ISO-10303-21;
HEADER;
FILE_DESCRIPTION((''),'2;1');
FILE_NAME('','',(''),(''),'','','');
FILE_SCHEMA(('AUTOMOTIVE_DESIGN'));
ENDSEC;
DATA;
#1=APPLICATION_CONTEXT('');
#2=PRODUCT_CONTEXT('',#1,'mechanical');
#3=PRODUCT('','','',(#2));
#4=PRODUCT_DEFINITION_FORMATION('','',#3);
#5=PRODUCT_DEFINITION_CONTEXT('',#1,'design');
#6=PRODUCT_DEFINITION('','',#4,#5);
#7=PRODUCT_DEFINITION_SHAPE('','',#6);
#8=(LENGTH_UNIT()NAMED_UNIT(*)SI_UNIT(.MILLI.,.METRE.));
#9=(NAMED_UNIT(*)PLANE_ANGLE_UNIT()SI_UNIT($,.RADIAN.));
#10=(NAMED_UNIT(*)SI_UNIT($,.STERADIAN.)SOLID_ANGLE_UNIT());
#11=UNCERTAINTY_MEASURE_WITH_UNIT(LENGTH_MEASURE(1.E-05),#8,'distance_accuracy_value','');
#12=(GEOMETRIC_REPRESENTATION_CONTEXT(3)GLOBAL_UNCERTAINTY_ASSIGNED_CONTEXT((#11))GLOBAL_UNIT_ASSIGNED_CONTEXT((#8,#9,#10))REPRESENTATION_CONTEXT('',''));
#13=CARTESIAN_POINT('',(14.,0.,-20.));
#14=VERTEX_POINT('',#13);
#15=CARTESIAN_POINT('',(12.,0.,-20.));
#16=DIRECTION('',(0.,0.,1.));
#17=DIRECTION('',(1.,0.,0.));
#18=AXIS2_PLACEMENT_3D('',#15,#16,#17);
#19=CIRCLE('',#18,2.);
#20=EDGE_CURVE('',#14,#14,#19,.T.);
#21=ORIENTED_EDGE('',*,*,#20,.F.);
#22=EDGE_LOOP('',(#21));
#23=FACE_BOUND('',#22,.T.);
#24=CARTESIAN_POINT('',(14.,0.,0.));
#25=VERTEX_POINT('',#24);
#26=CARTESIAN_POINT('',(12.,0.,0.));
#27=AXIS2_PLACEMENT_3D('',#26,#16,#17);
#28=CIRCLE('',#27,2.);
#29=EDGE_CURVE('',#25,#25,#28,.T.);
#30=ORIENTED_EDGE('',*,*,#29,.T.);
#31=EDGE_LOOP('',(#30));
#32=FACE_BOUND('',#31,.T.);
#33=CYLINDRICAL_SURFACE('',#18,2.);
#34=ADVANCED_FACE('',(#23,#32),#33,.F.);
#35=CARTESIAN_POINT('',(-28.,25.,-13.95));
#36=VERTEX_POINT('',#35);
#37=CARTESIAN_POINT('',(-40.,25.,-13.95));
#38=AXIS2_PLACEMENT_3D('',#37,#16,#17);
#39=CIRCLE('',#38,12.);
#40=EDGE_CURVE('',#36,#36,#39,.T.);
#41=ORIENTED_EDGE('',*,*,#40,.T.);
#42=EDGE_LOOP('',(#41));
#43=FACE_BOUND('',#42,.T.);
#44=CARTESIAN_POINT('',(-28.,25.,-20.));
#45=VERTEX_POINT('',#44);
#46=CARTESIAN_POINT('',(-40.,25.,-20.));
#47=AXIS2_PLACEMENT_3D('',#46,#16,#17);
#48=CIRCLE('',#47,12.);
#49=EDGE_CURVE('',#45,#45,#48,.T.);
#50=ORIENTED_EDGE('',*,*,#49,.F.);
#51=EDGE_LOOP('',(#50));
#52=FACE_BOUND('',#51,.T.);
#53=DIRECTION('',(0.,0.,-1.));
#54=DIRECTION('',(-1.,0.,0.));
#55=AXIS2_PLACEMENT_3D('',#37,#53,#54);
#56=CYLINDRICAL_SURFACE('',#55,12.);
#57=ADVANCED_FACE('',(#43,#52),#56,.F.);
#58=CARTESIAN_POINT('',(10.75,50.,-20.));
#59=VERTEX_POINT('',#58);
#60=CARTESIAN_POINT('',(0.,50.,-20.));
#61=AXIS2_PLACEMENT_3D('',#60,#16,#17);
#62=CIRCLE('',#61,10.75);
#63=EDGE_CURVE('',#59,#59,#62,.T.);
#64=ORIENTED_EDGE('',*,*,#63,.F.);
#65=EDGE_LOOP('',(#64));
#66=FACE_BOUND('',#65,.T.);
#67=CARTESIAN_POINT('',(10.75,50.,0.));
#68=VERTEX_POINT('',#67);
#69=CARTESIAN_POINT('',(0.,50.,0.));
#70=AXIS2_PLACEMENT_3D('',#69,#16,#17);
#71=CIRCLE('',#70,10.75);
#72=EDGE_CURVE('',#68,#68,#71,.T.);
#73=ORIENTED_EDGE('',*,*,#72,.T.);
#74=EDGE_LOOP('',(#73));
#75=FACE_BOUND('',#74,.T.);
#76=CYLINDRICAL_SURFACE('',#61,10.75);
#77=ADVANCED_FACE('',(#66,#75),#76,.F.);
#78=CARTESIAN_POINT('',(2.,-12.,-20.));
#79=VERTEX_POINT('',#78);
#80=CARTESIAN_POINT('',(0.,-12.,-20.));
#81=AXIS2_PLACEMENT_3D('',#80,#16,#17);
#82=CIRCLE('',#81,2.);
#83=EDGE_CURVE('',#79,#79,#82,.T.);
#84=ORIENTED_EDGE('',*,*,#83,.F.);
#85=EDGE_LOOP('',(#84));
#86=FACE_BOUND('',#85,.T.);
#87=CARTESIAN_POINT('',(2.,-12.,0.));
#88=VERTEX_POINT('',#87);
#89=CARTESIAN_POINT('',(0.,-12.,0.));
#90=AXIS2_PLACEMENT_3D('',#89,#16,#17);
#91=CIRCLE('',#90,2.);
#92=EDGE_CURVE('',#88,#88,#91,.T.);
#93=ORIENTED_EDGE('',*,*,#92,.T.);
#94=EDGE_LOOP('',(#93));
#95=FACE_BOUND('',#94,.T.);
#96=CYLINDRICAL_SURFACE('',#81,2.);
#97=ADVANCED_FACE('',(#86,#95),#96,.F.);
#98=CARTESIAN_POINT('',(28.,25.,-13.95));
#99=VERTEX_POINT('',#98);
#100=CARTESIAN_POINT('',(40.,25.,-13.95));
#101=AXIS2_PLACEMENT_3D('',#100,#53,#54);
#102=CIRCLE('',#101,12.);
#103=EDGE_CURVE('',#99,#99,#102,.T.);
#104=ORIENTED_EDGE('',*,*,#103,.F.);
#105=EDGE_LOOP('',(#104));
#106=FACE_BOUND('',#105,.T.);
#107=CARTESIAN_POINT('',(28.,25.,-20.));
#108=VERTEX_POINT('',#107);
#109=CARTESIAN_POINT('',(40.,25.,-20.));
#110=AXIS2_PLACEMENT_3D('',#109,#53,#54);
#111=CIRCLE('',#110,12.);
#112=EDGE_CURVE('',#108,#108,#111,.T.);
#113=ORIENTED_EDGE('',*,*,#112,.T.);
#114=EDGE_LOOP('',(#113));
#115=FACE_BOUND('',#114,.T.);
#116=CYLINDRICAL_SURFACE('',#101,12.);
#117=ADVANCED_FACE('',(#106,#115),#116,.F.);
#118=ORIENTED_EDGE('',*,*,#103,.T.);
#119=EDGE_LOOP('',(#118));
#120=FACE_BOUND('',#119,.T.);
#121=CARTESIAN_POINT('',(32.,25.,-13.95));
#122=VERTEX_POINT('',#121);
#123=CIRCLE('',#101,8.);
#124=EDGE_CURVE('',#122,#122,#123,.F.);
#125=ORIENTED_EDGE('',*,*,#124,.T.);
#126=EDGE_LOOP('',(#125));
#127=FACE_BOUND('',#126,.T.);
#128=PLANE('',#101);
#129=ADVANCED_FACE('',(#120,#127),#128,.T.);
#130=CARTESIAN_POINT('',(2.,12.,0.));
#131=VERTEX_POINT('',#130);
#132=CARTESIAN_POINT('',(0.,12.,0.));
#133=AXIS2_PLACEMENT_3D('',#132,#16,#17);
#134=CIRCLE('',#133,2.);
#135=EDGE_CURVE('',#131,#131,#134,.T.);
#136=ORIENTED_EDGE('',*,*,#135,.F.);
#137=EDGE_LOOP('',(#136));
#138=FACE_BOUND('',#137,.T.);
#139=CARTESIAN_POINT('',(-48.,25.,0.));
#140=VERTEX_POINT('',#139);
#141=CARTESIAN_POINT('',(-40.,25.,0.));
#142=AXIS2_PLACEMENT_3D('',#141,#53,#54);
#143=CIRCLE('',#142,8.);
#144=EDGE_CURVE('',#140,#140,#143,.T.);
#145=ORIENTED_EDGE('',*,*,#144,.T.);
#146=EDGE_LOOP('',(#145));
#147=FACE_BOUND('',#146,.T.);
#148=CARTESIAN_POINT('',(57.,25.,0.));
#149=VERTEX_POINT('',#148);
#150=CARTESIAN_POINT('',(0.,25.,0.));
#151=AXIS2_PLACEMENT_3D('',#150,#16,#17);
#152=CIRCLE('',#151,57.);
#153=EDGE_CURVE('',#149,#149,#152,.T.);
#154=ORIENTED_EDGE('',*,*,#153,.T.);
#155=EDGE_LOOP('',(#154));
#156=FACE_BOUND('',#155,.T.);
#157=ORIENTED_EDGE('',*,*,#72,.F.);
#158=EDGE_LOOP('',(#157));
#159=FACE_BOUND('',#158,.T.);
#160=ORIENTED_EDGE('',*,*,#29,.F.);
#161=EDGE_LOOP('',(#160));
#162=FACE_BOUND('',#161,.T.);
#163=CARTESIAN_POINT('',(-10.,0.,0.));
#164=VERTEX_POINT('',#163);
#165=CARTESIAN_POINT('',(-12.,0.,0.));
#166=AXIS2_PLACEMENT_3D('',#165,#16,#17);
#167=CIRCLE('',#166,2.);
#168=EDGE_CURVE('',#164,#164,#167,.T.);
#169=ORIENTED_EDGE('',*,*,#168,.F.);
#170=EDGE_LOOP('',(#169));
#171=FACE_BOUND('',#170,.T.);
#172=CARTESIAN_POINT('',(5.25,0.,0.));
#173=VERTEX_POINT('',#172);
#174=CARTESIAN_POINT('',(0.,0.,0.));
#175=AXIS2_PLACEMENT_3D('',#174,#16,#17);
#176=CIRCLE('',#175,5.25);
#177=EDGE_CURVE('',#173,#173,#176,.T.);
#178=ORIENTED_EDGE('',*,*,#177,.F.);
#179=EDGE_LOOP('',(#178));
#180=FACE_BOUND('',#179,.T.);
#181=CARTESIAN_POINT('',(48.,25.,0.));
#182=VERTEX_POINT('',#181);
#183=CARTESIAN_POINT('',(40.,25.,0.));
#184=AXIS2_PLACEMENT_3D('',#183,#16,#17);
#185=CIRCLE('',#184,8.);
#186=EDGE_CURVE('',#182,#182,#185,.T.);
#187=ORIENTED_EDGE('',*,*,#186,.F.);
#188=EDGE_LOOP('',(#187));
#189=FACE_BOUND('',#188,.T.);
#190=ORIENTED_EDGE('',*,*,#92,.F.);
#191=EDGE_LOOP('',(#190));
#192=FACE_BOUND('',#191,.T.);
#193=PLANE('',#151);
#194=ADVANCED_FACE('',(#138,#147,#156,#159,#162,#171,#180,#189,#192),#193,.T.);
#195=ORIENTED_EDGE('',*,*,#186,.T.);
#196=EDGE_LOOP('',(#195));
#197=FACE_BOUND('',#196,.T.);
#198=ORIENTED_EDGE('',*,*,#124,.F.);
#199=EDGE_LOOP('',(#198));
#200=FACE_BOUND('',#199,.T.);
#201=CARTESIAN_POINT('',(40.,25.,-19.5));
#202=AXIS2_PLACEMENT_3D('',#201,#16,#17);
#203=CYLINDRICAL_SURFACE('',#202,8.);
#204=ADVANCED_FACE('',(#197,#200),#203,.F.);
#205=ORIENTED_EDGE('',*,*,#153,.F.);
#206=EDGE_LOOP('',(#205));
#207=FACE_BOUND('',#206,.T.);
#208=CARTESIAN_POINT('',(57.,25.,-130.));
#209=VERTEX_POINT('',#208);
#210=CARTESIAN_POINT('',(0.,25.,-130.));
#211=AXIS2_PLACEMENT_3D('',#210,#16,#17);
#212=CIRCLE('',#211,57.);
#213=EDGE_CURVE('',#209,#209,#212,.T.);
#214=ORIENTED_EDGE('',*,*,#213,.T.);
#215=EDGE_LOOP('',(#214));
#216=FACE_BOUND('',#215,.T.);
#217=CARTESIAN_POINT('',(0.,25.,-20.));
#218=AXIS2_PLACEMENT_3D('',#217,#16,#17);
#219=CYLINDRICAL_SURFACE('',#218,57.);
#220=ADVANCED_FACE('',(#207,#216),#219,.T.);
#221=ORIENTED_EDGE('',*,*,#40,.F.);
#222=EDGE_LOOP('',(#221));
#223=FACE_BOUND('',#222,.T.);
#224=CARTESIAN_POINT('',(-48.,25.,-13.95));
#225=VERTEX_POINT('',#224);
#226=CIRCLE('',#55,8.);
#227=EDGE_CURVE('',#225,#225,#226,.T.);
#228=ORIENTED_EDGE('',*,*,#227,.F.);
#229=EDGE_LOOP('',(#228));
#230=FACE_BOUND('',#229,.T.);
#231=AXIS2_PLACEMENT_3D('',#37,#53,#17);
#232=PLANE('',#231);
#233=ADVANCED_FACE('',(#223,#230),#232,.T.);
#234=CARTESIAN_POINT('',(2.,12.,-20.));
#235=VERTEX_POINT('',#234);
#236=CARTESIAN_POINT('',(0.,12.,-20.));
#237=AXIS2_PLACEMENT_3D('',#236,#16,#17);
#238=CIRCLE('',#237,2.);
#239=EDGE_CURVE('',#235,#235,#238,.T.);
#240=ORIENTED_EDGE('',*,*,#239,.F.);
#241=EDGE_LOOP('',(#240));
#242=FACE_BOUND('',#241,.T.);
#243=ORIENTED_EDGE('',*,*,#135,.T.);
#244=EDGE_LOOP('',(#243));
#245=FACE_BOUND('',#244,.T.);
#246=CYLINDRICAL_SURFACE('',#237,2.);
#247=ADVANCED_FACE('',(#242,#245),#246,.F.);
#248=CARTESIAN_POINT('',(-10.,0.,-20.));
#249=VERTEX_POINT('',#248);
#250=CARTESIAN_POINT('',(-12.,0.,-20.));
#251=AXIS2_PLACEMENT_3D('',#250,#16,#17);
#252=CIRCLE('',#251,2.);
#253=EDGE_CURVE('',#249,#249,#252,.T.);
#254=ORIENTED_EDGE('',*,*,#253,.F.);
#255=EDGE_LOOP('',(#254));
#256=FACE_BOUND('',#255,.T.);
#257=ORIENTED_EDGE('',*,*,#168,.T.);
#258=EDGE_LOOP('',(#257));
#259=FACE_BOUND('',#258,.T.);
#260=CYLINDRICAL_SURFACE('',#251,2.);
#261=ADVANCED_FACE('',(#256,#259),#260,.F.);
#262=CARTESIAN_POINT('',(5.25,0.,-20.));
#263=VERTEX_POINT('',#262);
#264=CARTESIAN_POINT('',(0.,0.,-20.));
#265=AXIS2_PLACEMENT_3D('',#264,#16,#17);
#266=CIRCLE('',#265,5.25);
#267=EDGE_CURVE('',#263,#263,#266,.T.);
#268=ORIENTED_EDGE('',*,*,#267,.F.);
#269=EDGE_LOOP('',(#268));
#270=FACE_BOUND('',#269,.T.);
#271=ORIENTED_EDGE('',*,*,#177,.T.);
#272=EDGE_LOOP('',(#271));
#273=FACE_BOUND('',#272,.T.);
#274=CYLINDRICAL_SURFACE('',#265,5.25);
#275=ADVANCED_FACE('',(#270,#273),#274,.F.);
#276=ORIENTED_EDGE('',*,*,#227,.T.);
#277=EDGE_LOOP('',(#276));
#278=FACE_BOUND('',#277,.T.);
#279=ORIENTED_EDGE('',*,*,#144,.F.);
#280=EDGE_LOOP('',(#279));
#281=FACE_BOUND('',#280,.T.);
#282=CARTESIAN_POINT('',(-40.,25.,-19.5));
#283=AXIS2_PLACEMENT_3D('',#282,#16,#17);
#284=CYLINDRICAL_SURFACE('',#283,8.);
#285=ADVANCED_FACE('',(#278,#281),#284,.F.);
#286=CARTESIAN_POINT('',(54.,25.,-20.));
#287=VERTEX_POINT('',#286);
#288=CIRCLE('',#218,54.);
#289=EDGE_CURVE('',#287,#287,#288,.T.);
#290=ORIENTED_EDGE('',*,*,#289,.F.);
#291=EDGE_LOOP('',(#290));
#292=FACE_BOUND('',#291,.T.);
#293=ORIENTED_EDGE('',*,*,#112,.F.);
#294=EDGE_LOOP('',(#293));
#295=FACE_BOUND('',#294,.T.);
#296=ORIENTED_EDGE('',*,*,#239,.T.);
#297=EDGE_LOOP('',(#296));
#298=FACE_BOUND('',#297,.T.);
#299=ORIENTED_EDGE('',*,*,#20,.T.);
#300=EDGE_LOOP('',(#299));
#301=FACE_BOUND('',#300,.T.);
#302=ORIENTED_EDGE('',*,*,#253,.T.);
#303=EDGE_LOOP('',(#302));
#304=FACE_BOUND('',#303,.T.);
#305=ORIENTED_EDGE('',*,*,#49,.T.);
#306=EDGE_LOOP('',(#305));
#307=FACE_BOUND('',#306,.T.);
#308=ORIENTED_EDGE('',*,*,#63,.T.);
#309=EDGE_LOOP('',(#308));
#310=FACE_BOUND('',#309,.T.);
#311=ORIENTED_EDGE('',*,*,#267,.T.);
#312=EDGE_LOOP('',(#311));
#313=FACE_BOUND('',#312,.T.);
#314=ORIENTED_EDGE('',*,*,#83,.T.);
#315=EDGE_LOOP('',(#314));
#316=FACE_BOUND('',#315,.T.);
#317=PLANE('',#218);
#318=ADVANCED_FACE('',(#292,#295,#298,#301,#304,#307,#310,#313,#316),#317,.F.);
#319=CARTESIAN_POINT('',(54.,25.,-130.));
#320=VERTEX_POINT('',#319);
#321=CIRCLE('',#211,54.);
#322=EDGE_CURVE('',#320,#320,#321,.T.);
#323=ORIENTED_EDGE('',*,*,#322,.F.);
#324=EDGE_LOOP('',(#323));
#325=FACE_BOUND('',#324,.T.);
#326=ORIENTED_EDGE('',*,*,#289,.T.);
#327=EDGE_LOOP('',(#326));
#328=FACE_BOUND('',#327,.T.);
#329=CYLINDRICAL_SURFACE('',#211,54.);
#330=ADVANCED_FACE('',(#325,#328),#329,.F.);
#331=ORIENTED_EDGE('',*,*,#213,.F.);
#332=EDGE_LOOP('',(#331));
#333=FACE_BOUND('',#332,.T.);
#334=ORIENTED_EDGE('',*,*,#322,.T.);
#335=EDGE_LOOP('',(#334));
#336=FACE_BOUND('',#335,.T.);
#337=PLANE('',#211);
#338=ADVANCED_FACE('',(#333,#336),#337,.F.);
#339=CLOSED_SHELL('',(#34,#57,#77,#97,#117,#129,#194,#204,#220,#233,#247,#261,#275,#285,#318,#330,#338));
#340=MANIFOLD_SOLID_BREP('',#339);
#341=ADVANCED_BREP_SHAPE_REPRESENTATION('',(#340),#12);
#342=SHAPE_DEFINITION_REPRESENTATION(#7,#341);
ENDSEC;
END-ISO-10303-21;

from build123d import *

# Parameters (mm, degrees)
SKETCH1_R           = 57
SKETCH1_R_2         = 2
SKETCH1_R_3         = 5.25
SKETCH1_R_4         = 10.75
BOSS_EXTRUDE1_DEPTH = 20
SKETCH2_R           = 57
SKETCH2_R_2         = 54
BOSS_EXTRUDE2_DEPTH = 130
SKETCH3_R           = 8
CUT_EXTRUDE1_DEPTH  = 19.5
SKETCH5_R           = 12
CUT_EXTRUDE3_DEPTH  = 6.05


with BuildPart() as part:
    # Sketch1 → Boss-Extrude1 (new body)
    with BuildSketch(Plane.XY):
        with Locations((0, 25)):
            Circle(SKETCH1_R)
        with Locations((12, 0)):
            Circle(SKETCH1_R_2, mode=Mode.SUBTRACT)
        with Locations((0, -12)):
            Circle(SKETCH1_R_2, mode=Mode.SUBTRACT)
        with Locations((-12, 0)):
            Circle(SKETCH1_R_2, mode=Mode.SUBTRACT)
        Circle(SKETCH1_R_3, mode=Mode.SUBTRACT)
        with Locations((0, 12)):
            Circle(SKETCH1_R_2, mode=Mode.SUBTRACT)
        with Locations((0, 50)):
            Circle(SKETCH1_R_4, mode=Mode.SUBTRACT)
    extrude(amount=-BOSS_EXTRUDE1_DEPTH)

    # Sketch2 → Boss-Extrude2 (add)
    with BuildSketch(Plane.XY):
        with Locations((0, 25)):
            Circle(SKETCH2_R)
        with Locations((0, 25)):
            Circle(SKETCH2_R_2, mode=Mode.SUBTRACT)
    extrude(amount=-BOSS_EXTRUDE2_DEPTH)

    # Sketch3 → Cut-Extrude1 (cut)
    with BuildSketch(Plane.XY):
        with Locations((40, 25)):
            Circle(SKETCH3_R)
    cut_extrude1 = extrude(amount=-CUT_EXTRUDE1_DEPTH, mode=Mode.SUBTRACT)

    # Sketch5 → Cut-Extrude3 (cut)
    with BuildSketch(Plane(origin=(0, 0, -20), x_dir=(-1, 0, 0), z_dir=(0, 0, -1))):
        with Locations((-40, 25)):
            Circle(SKETCH5_R)
    cut_extrude3 = extrude(amount=-CUT_EXTRUDE3_DEPTH, mode=Mode.SUBTRACT)

    # Mirror1: Cut-Extrude1, Cut-Extrude3 across plane
    add(cut_extrude1.mirror(Plane(origin=(0, 0, 0), x_dir=(0, 0, 1), z_dir=(1, 0, 0))), mode=Mode.SUBTRACT)
    add(cut_extrude3.mirror(Plane(origin=(0, 0, 0), x_dir=(0, 0, 1), z_dir=(1, 0, 0))), mode=Mode.SUBTRACT)


solid = part.part
